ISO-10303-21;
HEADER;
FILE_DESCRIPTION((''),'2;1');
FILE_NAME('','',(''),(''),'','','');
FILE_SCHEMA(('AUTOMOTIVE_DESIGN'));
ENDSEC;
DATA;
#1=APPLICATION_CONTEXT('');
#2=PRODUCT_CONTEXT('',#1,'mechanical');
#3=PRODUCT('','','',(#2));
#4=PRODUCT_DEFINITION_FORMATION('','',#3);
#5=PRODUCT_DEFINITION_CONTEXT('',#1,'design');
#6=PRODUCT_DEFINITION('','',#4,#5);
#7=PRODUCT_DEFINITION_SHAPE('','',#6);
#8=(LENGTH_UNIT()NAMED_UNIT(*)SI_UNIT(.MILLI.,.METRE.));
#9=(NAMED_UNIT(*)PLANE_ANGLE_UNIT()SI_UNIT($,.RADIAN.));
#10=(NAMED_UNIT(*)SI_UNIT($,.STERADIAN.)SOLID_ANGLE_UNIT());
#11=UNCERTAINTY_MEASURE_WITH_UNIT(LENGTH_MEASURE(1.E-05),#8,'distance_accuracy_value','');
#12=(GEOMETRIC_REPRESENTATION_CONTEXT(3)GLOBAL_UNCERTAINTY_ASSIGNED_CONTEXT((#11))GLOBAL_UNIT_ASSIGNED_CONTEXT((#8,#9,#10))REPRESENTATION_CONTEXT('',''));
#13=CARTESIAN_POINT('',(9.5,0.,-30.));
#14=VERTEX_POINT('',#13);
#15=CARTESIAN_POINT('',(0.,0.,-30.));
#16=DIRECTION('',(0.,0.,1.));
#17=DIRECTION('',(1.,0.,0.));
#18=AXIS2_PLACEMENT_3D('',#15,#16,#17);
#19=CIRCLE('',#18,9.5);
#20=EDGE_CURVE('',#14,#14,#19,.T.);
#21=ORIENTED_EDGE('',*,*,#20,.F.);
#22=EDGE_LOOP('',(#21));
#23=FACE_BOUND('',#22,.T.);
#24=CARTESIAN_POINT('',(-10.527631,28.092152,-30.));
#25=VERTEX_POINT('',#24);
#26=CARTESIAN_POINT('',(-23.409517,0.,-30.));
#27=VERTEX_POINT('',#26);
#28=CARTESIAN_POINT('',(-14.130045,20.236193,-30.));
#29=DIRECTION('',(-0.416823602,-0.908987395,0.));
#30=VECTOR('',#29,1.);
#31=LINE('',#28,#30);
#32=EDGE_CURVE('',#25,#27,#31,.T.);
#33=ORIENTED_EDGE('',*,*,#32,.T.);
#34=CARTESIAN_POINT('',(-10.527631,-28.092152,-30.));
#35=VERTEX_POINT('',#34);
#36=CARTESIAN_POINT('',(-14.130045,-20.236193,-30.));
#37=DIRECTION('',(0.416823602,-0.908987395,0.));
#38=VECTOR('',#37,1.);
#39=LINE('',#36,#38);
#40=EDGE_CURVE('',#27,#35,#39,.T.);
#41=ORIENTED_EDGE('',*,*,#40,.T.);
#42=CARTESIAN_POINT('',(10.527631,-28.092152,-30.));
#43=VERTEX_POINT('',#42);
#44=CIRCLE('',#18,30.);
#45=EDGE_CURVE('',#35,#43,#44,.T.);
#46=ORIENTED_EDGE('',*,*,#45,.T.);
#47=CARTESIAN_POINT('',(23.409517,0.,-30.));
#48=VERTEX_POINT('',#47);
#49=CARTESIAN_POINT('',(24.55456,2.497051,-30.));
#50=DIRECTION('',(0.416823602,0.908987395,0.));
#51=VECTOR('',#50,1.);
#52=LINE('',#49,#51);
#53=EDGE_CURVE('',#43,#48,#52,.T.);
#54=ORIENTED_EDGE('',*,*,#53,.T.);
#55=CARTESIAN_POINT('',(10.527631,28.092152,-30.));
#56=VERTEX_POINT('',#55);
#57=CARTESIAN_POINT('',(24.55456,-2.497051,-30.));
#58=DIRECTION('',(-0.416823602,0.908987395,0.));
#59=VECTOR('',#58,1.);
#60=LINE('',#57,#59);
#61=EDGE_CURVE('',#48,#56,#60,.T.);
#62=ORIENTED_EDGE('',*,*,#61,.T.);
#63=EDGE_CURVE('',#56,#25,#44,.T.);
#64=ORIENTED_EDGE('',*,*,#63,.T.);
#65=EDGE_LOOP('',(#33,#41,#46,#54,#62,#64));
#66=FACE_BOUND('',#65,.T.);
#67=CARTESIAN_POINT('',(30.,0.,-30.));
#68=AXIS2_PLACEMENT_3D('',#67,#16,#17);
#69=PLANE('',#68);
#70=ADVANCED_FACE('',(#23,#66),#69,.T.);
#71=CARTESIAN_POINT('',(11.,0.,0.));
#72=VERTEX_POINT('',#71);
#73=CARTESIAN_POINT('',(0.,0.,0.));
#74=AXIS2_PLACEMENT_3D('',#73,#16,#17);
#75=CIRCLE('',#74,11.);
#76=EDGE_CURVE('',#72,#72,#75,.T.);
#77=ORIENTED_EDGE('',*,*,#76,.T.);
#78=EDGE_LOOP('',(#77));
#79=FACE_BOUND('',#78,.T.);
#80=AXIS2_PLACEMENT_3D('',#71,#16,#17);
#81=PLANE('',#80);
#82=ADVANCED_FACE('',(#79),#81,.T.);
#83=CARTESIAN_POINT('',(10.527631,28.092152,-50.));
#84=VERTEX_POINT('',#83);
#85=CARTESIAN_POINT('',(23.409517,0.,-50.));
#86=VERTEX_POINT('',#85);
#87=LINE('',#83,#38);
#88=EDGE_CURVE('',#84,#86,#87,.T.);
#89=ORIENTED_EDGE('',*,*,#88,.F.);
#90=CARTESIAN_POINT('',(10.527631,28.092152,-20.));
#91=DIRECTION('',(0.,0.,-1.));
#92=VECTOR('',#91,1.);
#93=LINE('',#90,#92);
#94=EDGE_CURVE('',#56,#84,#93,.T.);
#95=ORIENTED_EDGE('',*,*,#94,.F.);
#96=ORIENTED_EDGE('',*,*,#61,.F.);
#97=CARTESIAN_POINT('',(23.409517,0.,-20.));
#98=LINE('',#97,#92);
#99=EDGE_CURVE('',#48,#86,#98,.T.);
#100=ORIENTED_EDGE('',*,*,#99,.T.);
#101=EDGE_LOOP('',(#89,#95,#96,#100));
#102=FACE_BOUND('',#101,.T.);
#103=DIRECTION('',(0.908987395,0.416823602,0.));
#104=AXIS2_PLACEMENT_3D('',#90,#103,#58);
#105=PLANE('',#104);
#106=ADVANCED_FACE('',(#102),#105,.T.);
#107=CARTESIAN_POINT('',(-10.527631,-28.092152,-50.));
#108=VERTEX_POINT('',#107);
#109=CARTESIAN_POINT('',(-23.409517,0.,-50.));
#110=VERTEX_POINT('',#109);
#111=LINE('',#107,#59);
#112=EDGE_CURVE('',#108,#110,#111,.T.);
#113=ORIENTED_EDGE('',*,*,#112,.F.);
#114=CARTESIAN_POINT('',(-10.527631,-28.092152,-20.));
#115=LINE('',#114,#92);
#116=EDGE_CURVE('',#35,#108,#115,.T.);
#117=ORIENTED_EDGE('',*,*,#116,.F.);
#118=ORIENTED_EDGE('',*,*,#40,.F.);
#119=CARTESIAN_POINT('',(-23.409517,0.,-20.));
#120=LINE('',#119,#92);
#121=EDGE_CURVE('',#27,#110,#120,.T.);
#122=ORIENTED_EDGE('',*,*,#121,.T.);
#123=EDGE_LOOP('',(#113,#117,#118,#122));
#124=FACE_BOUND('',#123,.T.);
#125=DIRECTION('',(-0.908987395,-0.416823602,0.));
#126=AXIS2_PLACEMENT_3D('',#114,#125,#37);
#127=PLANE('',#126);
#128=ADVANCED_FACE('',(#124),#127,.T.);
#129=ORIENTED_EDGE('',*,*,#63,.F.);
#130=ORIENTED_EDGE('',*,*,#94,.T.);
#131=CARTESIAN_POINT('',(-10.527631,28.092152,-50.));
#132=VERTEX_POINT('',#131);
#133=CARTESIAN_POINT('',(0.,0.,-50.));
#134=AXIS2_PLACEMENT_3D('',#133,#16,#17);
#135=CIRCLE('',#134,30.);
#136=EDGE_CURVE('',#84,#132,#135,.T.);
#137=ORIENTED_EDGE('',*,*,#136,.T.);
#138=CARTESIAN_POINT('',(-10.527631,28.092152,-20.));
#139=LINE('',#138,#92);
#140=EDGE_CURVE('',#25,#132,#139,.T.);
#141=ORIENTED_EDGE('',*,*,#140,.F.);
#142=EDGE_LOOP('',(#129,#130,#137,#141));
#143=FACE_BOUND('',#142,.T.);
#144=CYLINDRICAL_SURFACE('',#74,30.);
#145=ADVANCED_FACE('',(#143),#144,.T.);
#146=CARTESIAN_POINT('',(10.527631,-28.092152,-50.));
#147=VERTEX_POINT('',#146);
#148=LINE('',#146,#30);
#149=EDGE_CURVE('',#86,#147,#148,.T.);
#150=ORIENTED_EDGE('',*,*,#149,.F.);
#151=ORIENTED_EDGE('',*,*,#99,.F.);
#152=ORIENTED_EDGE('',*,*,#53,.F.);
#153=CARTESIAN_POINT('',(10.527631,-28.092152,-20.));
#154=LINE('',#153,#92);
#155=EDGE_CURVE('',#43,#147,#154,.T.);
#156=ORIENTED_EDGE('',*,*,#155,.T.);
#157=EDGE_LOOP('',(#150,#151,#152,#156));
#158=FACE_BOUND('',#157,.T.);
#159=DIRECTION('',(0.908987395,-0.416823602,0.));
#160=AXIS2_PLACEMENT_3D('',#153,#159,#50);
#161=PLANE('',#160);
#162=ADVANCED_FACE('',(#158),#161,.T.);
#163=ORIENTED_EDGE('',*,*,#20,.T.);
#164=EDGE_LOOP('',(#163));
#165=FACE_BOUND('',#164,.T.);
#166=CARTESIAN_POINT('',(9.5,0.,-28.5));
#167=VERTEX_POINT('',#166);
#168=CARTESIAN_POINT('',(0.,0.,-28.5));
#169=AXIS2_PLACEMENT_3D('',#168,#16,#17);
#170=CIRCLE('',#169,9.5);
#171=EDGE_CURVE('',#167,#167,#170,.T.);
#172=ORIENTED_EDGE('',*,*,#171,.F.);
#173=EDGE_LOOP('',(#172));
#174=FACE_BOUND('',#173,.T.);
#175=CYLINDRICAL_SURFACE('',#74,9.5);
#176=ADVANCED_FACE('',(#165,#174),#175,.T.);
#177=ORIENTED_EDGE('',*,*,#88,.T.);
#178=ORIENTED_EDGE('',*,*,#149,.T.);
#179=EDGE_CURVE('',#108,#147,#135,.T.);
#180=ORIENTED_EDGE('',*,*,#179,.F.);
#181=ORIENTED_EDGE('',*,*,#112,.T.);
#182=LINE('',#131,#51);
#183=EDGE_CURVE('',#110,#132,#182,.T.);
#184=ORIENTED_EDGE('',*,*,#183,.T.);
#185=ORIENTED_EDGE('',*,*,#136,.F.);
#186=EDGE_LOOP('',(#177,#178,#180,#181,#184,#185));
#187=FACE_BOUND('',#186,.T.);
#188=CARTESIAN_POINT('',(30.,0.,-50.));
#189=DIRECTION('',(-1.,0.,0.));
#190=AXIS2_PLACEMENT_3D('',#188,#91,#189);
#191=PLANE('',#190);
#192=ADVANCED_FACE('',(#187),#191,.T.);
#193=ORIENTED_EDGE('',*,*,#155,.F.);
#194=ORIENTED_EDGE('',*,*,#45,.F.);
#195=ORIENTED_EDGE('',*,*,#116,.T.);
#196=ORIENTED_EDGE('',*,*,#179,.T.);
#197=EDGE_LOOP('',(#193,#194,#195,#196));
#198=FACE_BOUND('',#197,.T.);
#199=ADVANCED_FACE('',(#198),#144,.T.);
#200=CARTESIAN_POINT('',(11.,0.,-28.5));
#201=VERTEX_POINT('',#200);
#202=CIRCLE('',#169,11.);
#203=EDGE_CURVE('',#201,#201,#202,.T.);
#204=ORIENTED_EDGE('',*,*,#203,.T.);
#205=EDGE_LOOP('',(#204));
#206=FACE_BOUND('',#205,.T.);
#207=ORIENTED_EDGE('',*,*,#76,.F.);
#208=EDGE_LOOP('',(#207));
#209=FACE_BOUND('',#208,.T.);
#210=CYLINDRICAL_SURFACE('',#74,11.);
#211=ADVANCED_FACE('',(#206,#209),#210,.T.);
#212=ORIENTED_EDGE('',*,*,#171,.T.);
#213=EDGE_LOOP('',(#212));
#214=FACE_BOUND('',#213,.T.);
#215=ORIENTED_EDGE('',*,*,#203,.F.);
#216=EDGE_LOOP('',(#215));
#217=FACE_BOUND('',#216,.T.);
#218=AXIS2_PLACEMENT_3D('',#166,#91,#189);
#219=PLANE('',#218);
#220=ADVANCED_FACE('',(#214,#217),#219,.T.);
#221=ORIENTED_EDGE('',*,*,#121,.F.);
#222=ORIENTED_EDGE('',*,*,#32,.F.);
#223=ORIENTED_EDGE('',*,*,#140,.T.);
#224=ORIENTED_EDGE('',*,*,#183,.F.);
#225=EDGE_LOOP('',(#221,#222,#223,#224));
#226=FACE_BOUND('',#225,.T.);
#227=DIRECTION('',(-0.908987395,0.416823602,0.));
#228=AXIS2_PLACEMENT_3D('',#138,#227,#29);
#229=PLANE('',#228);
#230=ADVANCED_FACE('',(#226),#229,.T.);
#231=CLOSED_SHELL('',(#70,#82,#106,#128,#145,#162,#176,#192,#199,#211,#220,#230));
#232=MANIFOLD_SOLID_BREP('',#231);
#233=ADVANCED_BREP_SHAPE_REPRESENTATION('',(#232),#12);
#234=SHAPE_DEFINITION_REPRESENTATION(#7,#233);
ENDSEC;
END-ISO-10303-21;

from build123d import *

# Parameters (mm, degrees)
CUT_EXTRUDE_START   = -30
SKETCH_2_R          = 36.239320701
CUT_EXTRUDE_1_DEPTH = 30


with BuildPart() as part:
    # 草图1 → 旋转1 (revolve)
    with BuildSketch(Plane(origin=(0, 0, 0), x_dir=(1, 0, 0), z_dir=(0, 1, 0))):
        Polygon((0, 0), (0, 50), (30, 50), (30, 30), (9.5, 30), (9.5, 28.5), (11, 28.5), (11, 0), align=None)
    revolve(axis=Axis((0, 0, 0), (0, 0, -1)))

    # 草图2 → 切除-拉伸1 (cut)
    with BuildSketch(Plane(origin=(0, 0, -50), x_dir=(-1, 0, 0), z_dir=(0, 0, -1)).offset(CUT_EXTRUDE_START)):
        Circle(SKETCH_2_R)
        with BuildLine():
            Line((-10.527630828, 28.092151736), (-23.409516673, 0))
            Line((-23.409516673, 0), (-10.527630828, -28.092151736))
            ThreePointArc((-10.527630828, -28.092151736), (0, -30), (10.527630828, -28.092151736))
            Line((10.527630828, -28.092151736), (23.409516673, 0))
            Line((23.409516673, 0), (10.527630828, 28.092151736))
            ThreePointArc((10.527630828, 28.092151736), (0, 30), (-10.527630828, 28.092151736))
        make_face(mode=Mode.SUBTRACT)
    extrude(amount=CUT_EXTRUDE_1_DEPTH, mode=Mode.SUBTRACT)


solid = part.part
